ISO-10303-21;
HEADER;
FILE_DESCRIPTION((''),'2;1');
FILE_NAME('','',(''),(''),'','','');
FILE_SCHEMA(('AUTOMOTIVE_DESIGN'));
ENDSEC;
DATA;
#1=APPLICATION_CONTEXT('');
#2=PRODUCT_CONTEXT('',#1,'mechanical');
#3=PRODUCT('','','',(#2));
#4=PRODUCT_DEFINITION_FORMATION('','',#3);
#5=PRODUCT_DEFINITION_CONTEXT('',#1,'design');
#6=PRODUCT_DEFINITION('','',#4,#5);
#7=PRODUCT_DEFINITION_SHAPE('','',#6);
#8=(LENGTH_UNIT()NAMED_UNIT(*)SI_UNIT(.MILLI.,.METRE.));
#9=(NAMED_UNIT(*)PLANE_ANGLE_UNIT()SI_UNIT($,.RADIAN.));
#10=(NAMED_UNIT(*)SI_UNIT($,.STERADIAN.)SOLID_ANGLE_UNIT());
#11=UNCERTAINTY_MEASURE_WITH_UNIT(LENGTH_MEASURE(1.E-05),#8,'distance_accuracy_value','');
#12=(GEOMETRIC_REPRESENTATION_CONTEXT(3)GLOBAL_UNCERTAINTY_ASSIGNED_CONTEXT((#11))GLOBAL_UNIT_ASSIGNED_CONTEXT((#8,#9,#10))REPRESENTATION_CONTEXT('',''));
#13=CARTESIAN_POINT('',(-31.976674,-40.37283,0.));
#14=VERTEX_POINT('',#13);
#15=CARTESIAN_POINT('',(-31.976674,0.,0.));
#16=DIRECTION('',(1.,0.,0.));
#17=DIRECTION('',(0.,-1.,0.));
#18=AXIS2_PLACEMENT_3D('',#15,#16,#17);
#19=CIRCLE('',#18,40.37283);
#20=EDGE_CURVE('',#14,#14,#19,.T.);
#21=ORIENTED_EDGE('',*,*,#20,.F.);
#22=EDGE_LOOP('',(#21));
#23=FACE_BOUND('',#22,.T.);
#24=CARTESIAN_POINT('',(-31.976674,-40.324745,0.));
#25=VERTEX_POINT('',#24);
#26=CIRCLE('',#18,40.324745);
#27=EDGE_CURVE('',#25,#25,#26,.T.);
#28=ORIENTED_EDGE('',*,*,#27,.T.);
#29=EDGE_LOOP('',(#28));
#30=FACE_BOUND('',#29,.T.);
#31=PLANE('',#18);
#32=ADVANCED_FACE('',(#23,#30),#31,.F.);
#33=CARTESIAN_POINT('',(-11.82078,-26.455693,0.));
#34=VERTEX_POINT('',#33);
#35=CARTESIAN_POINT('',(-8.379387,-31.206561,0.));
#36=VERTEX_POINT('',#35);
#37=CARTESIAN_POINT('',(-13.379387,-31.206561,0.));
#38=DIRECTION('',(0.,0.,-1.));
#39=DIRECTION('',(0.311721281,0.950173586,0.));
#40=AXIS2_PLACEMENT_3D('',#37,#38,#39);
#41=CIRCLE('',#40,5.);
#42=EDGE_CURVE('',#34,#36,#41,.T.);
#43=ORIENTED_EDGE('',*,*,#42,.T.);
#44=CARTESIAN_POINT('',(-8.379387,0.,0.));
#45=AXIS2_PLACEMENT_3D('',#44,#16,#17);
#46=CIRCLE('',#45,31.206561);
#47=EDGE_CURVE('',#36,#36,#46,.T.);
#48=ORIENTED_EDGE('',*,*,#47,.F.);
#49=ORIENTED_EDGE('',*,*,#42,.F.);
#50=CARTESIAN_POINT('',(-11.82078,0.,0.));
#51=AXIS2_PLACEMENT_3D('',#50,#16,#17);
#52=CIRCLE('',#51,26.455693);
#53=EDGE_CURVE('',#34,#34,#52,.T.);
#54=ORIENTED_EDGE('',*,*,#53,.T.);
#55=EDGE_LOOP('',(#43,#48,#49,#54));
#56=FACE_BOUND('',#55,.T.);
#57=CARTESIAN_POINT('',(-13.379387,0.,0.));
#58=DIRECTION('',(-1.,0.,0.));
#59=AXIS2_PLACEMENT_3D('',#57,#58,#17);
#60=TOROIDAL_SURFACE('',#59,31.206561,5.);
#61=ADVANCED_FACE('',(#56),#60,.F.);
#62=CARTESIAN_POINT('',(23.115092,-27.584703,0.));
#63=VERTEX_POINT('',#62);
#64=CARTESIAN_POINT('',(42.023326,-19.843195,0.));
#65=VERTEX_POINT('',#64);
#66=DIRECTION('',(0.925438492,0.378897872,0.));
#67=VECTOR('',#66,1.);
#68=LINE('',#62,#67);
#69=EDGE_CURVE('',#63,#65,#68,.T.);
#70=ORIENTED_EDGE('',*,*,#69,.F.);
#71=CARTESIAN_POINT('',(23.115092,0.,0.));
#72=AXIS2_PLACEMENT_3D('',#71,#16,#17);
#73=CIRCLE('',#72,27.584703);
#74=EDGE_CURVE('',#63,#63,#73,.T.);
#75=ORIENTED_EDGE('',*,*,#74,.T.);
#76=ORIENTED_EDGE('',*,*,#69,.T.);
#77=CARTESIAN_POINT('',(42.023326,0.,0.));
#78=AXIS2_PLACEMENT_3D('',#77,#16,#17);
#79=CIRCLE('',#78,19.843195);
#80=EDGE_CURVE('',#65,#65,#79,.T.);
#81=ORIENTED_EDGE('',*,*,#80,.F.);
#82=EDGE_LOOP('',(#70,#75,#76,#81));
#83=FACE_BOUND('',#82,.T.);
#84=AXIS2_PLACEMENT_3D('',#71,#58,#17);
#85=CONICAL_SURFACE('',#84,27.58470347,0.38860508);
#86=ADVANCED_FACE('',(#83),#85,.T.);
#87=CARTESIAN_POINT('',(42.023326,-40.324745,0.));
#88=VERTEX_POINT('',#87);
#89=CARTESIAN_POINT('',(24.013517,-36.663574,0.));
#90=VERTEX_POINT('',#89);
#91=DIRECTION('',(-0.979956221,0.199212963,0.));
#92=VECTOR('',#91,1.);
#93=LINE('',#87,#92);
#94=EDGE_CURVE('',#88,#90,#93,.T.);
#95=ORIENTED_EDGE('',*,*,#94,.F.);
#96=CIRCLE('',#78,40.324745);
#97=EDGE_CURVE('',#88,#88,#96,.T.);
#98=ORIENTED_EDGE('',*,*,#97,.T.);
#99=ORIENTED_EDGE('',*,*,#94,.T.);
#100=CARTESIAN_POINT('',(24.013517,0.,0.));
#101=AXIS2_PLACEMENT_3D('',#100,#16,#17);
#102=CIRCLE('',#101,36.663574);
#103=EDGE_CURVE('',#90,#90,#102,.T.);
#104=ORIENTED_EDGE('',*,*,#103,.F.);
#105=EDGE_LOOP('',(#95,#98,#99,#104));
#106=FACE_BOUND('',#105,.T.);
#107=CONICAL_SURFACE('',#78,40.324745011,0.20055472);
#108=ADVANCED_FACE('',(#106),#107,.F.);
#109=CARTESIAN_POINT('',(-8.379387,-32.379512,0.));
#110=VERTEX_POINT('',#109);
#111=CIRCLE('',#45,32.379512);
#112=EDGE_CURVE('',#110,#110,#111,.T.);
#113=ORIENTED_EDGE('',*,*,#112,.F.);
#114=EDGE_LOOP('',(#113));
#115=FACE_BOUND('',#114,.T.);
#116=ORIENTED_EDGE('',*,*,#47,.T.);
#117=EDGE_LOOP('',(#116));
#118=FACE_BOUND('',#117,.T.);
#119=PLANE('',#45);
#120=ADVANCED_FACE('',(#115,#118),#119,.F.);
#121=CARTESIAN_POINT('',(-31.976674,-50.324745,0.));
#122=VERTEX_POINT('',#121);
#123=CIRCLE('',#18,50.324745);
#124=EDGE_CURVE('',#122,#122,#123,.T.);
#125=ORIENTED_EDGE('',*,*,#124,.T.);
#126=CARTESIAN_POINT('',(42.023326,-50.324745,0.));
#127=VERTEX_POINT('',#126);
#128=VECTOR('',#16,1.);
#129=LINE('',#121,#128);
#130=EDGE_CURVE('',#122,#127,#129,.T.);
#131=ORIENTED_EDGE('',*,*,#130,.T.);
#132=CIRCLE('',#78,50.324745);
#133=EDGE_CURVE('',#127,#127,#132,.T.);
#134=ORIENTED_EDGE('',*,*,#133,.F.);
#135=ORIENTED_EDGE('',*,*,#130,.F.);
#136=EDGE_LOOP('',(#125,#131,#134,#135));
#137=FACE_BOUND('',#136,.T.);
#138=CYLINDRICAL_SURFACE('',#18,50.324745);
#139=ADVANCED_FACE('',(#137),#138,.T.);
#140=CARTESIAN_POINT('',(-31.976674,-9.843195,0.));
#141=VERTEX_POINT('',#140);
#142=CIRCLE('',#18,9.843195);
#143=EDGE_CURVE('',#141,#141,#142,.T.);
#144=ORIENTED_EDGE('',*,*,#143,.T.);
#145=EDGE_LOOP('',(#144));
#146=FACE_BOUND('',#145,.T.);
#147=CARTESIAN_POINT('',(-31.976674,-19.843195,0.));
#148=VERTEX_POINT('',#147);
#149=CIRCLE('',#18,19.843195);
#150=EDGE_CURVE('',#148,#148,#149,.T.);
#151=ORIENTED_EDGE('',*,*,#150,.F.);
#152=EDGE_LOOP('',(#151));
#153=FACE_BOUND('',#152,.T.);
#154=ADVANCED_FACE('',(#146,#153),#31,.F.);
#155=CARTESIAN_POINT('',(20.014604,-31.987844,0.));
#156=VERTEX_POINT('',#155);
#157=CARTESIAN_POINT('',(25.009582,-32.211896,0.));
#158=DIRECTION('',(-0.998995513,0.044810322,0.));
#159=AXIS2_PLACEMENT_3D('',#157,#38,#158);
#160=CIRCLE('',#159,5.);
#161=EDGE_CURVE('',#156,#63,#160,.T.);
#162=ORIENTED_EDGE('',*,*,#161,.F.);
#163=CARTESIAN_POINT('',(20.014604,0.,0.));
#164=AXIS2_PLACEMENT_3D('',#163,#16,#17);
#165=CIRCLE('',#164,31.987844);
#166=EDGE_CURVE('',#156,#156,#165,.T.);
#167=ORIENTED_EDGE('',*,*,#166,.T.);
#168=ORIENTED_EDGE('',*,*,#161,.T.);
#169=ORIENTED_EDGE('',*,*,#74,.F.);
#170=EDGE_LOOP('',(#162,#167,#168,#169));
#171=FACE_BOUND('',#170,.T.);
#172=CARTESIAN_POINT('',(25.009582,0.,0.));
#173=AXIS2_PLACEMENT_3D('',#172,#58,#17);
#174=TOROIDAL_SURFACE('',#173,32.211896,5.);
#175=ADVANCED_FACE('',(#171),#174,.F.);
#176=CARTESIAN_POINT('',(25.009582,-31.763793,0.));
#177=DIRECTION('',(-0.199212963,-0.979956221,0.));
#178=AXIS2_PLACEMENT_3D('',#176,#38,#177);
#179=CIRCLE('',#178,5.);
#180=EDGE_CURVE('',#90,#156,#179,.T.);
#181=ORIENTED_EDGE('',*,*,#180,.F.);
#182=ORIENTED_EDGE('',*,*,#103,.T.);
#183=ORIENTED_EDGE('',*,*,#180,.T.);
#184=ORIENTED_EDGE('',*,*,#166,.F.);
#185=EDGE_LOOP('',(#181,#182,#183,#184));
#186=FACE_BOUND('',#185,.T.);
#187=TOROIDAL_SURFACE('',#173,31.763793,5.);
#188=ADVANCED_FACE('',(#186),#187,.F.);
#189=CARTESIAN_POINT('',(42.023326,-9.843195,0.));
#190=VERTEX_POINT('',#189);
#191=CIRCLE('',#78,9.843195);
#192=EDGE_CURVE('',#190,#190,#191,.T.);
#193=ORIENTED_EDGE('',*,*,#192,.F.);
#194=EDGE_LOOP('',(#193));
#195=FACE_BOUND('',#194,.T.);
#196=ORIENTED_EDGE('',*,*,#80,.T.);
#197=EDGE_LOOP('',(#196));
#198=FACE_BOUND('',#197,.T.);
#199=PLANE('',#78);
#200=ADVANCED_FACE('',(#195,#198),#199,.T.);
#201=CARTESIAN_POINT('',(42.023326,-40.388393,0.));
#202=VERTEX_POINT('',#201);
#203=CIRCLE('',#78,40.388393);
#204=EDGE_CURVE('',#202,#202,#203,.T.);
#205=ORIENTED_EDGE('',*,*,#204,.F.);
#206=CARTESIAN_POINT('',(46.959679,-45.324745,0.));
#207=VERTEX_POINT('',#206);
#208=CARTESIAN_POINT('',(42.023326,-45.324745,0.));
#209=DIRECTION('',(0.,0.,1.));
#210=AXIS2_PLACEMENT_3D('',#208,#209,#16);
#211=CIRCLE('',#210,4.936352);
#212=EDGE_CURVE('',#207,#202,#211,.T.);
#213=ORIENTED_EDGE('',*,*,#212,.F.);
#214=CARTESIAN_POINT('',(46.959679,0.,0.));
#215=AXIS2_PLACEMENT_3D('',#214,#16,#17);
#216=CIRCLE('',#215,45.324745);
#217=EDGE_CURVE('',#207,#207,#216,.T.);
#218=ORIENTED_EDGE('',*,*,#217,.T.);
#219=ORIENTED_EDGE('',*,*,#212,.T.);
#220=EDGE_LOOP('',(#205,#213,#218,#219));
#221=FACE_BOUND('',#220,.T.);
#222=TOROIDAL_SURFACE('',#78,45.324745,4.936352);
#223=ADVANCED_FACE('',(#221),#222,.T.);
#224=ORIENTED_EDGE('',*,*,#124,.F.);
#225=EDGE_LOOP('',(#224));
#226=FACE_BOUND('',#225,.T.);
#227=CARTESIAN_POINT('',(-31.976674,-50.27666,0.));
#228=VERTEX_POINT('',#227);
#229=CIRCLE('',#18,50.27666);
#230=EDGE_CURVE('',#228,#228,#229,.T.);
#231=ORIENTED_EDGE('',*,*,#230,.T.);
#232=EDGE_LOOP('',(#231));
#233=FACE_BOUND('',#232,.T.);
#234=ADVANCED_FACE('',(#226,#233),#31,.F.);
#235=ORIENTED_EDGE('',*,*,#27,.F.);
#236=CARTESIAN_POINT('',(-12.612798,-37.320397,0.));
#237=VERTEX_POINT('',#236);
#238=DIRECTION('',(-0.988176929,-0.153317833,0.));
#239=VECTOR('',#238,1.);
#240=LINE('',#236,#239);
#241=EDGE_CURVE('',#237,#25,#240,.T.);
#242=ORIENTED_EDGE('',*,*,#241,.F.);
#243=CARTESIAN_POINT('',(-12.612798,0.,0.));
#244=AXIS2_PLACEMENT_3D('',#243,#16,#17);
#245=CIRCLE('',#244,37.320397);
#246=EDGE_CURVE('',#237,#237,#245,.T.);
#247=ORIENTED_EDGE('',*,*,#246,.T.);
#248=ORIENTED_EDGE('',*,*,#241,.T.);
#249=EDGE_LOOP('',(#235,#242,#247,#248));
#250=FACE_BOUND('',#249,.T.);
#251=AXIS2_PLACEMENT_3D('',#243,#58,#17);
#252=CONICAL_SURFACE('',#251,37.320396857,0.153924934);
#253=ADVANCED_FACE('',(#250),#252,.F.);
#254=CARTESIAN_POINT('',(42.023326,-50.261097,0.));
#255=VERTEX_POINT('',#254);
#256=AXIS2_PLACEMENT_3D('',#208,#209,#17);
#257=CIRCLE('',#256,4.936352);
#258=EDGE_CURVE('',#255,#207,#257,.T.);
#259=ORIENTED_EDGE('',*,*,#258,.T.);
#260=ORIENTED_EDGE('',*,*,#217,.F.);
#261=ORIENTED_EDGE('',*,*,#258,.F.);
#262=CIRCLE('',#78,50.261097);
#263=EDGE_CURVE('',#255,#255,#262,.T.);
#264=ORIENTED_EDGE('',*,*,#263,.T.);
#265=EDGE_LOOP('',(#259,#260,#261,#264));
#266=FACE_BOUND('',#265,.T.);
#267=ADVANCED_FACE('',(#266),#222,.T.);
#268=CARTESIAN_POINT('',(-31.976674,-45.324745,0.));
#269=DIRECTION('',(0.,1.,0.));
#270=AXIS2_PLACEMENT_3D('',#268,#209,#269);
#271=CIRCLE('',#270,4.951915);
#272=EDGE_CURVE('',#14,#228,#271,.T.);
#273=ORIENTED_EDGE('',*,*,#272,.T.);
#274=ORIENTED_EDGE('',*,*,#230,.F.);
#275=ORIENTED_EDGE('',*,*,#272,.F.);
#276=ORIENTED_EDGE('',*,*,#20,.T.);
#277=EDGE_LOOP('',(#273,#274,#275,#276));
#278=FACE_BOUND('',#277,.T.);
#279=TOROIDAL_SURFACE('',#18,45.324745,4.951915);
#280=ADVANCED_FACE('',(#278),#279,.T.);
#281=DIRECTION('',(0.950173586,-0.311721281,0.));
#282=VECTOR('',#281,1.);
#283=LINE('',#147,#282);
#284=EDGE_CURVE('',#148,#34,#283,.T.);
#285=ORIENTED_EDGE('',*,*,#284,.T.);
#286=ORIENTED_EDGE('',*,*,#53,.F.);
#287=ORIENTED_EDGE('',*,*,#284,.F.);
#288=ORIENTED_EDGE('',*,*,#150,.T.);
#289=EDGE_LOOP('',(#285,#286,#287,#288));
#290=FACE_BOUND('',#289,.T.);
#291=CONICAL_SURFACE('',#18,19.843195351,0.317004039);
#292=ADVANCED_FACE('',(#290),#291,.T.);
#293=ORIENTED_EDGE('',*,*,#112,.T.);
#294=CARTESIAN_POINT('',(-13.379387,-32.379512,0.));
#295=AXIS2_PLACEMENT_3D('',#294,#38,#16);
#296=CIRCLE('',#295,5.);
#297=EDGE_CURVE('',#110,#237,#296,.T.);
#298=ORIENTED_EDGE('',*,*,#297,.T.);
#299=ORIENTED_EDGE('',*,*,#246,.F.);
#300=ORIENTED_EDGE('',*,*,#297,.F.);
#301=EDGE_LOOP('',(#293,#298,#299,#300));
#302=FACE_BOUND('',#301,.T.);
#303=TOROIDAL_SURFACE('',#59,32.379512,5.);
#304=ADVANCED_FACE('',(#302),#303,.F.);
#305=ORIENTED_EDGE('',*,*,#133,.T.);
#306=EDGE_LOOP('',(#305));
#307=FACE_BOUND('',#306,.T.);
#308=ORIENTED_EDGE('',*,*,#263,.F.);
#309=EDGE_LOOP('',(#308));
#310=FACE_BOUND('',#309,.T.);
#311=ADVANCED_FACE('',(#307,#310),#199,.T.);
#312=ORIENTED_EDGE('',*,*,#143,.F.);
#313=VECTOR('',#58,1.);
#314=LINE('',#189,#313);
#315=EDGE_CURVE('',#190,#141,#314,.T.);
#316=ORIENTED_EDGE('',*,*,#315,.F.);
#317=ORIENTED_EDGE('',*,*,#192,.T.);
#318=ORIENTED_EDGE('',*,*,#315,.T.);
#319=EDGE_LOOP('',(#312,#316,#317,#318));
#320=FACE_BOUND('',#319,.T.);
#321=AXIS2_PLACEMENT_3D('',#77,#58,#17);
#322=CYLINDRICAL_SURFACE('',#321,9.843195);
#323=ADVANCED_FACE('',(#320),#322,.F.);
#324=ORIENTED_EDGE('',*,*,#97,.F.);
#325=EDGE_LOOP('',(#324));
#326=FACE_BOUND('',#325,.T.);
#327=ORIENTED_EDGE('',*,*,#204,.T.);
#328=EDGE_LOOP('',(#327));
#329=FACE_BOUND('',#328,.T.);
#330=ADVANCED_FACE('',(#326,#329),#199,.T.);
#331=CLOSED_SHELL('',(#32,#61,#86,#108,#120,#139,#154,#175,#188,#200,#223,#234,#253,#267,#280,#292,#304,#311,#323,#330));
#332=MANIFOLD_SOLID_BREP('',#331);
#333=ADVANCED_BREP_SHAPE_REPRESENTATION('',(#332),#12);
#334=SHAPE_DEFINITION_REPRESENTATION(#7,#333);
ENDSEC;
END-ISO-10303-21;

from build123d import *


with BuildPart() as f1:
    # F0 (on Top) → F1 (revolve)
    with BuildSketch(Plane.XY):
        with BuildLine():
            Line((42.0233262479, -9.8431953512), (5.0233262479, -9.8431953512))
            Line((5.0233262479, -9.8431953512), (5.0233262479, -50.3247450109))
            Line((5.0233262479, -50.3247450109), (42.0233262479, -50.3247450109))
            Line((42.0233262479, -50.3247450109), (42.0233262479, -50.261097271))
            ThreePointArc((42.0233262479, -50.261097271), (37.0869739878, -45.3247450109), (42.0233262479, -40.3883927507))
            Line((42.0233262479, -40.3883927507), (42.0233262479, -40.3247450109))
            Line((42.0233262479, -40.3247450109), (24.0135168605, -36.6635738161))
            ThreePointArc((24.0135168605, -36.6635738161), (21.2097449971, -35.0135990463), (20.0146041098, -31.9878443202))
            ThreePointArc((20.0146041098, -31.9878443202), (20.921415709, -29.3331984756), (23.1150923151, -27.5847034699))
            Line((23.1150923151, -27.5847034699), (42.0233262479, -19.8431953512))
            Line((42.0233262479, -19.8431953512), (42.0233262479, -9.8431953512))
        make_face()
        with BuildLine():
            ThreePointArc((20.0095816749, -31.7637927102), (20.0108374413, -31.8758466579), (20.0146041098, -31.9878443202))
            ThreePointArc((20.0146041098, -31.9878443202), (20.0108374413, -32.0998419825), (20.0095816749, -32.2118959303))
            Line((20.0095816749, -32.2118959303), (20.0095816749, -31.7637927102))
        make_face(mode=Mode.SUBTRACT)
        with BuildLine():
            Line((5.0233262479, -9.8431953512), (-31.9766737521, -9.8431953512))
            Line((-31.9766737521, -9.8431953512), (-31.9766737521, -19.8431953512))
            Line((-31.9766737521, -19.8431953512), (-11.8207803345, -26.4556933234))
            ThreePointArc((-11.8207803345, -26.4556933234), (-9.3301255697, -28.2733916373), (-8.3793867379, -31.2065612525))
            Line((-8.3793867379, -31.2065612525), (-8.3793867379, -32.3795122139))
            ThreePointArc((-8.3793867379, -32.3795122139), (-9.5824836696, -35.6327455424), (-12.6127975737, -37.3203968567))
            Line((-12.6127975737, -37.3203968567), (-31.9766737521, -40.3247450109))
            Line((-31.9766737521, -40.3247450109), (-31.9766737521, -40.3728301762))
            ThreePointArc((-31.9766737521, -40.3728301762), (-28.4751411926, -41.8232124514), (-27.0247589174, -45.3247450109))
            ThreePointArc((-27.0247589174, -45.3247450109), (-28.4751411926, -48.8262775703), (-31.9766737521, -50.2766598455))
            Line((-31.9766737521, -50.2766598455), (-31.9766737521, -50.3247450109))
            Line((-31.9766737521, -50.3247450109), (5.0233262479, -50.3247450109))
            Line((5.0233262479, -50.3247450109), (5.0233262479, -9.8431953512))
        make_face()
        with BuildLine():
            ThreePointArc((-31.9766737521, -40.3728301762), (-36.9285885867, -45.3247450109), (-31.9766737521, -50.2766598455))
            Line((-31.9766737521, -50.2766598455), (-31.9766737521, -40.3728301762))
        make_face()
        with BuildLine():
            Line((-31.9766737521, -40.3728301762), (-31.9766737521, -50.2766598455))
            ThreePointArc((-31.9766737521, -50.2766598455), (-28.4751411926, -48.8262775703), (-27.0247589174, -45.3247450109))
            ThreePointArc((-27.0247589174, -45.3247450109), (-28.4751411926, -41.8232124514), (-31.9766737521, -40.3728301762))
        make_face()
        with BuildLine():
            ThreePointArc((42.0233262479, -40.3883927507), (37.0869739878, -45.3247450109), (42.0233262479, -50.261097271))
            Line((42.0233262479, -50.261097271), (42.0233262479, -40.3883927507))
        make_face()
        with BuildLine():
            Line((42.0233262479, -40.3883927507), (42.0233262479, -50.261097271))
            ThreePointArc((42.0233262479, -50.261097271), (45.5138544054, -48.8152731683), (46.959678508, -45.3247450109))
            ThreePointArc((46.959678508, -45.3247450109), (45.5138544054, -41.8342168534), (42.0233262479, -40.3883927507))
        make_face()
        with BuildLine():
            ThreePointArc((20.0095816749, -32.2118959303), (20.0108374413, -32.0998419825), (20.0146041098, -31.9878443202))
            ThreePointArc((20.0146041098, -31.9878443202), (20.0108374413, -31.8758466579), (20.0095816749, -31.7637927102))
            Line((20.0095816749, -31.7637927102), (20.0095816749, -32.2118959303))
        make_face()
    revolve(axis=Axis((2.2840499878, 0, 0), (1, 0, 0)))


solid = f1.part
